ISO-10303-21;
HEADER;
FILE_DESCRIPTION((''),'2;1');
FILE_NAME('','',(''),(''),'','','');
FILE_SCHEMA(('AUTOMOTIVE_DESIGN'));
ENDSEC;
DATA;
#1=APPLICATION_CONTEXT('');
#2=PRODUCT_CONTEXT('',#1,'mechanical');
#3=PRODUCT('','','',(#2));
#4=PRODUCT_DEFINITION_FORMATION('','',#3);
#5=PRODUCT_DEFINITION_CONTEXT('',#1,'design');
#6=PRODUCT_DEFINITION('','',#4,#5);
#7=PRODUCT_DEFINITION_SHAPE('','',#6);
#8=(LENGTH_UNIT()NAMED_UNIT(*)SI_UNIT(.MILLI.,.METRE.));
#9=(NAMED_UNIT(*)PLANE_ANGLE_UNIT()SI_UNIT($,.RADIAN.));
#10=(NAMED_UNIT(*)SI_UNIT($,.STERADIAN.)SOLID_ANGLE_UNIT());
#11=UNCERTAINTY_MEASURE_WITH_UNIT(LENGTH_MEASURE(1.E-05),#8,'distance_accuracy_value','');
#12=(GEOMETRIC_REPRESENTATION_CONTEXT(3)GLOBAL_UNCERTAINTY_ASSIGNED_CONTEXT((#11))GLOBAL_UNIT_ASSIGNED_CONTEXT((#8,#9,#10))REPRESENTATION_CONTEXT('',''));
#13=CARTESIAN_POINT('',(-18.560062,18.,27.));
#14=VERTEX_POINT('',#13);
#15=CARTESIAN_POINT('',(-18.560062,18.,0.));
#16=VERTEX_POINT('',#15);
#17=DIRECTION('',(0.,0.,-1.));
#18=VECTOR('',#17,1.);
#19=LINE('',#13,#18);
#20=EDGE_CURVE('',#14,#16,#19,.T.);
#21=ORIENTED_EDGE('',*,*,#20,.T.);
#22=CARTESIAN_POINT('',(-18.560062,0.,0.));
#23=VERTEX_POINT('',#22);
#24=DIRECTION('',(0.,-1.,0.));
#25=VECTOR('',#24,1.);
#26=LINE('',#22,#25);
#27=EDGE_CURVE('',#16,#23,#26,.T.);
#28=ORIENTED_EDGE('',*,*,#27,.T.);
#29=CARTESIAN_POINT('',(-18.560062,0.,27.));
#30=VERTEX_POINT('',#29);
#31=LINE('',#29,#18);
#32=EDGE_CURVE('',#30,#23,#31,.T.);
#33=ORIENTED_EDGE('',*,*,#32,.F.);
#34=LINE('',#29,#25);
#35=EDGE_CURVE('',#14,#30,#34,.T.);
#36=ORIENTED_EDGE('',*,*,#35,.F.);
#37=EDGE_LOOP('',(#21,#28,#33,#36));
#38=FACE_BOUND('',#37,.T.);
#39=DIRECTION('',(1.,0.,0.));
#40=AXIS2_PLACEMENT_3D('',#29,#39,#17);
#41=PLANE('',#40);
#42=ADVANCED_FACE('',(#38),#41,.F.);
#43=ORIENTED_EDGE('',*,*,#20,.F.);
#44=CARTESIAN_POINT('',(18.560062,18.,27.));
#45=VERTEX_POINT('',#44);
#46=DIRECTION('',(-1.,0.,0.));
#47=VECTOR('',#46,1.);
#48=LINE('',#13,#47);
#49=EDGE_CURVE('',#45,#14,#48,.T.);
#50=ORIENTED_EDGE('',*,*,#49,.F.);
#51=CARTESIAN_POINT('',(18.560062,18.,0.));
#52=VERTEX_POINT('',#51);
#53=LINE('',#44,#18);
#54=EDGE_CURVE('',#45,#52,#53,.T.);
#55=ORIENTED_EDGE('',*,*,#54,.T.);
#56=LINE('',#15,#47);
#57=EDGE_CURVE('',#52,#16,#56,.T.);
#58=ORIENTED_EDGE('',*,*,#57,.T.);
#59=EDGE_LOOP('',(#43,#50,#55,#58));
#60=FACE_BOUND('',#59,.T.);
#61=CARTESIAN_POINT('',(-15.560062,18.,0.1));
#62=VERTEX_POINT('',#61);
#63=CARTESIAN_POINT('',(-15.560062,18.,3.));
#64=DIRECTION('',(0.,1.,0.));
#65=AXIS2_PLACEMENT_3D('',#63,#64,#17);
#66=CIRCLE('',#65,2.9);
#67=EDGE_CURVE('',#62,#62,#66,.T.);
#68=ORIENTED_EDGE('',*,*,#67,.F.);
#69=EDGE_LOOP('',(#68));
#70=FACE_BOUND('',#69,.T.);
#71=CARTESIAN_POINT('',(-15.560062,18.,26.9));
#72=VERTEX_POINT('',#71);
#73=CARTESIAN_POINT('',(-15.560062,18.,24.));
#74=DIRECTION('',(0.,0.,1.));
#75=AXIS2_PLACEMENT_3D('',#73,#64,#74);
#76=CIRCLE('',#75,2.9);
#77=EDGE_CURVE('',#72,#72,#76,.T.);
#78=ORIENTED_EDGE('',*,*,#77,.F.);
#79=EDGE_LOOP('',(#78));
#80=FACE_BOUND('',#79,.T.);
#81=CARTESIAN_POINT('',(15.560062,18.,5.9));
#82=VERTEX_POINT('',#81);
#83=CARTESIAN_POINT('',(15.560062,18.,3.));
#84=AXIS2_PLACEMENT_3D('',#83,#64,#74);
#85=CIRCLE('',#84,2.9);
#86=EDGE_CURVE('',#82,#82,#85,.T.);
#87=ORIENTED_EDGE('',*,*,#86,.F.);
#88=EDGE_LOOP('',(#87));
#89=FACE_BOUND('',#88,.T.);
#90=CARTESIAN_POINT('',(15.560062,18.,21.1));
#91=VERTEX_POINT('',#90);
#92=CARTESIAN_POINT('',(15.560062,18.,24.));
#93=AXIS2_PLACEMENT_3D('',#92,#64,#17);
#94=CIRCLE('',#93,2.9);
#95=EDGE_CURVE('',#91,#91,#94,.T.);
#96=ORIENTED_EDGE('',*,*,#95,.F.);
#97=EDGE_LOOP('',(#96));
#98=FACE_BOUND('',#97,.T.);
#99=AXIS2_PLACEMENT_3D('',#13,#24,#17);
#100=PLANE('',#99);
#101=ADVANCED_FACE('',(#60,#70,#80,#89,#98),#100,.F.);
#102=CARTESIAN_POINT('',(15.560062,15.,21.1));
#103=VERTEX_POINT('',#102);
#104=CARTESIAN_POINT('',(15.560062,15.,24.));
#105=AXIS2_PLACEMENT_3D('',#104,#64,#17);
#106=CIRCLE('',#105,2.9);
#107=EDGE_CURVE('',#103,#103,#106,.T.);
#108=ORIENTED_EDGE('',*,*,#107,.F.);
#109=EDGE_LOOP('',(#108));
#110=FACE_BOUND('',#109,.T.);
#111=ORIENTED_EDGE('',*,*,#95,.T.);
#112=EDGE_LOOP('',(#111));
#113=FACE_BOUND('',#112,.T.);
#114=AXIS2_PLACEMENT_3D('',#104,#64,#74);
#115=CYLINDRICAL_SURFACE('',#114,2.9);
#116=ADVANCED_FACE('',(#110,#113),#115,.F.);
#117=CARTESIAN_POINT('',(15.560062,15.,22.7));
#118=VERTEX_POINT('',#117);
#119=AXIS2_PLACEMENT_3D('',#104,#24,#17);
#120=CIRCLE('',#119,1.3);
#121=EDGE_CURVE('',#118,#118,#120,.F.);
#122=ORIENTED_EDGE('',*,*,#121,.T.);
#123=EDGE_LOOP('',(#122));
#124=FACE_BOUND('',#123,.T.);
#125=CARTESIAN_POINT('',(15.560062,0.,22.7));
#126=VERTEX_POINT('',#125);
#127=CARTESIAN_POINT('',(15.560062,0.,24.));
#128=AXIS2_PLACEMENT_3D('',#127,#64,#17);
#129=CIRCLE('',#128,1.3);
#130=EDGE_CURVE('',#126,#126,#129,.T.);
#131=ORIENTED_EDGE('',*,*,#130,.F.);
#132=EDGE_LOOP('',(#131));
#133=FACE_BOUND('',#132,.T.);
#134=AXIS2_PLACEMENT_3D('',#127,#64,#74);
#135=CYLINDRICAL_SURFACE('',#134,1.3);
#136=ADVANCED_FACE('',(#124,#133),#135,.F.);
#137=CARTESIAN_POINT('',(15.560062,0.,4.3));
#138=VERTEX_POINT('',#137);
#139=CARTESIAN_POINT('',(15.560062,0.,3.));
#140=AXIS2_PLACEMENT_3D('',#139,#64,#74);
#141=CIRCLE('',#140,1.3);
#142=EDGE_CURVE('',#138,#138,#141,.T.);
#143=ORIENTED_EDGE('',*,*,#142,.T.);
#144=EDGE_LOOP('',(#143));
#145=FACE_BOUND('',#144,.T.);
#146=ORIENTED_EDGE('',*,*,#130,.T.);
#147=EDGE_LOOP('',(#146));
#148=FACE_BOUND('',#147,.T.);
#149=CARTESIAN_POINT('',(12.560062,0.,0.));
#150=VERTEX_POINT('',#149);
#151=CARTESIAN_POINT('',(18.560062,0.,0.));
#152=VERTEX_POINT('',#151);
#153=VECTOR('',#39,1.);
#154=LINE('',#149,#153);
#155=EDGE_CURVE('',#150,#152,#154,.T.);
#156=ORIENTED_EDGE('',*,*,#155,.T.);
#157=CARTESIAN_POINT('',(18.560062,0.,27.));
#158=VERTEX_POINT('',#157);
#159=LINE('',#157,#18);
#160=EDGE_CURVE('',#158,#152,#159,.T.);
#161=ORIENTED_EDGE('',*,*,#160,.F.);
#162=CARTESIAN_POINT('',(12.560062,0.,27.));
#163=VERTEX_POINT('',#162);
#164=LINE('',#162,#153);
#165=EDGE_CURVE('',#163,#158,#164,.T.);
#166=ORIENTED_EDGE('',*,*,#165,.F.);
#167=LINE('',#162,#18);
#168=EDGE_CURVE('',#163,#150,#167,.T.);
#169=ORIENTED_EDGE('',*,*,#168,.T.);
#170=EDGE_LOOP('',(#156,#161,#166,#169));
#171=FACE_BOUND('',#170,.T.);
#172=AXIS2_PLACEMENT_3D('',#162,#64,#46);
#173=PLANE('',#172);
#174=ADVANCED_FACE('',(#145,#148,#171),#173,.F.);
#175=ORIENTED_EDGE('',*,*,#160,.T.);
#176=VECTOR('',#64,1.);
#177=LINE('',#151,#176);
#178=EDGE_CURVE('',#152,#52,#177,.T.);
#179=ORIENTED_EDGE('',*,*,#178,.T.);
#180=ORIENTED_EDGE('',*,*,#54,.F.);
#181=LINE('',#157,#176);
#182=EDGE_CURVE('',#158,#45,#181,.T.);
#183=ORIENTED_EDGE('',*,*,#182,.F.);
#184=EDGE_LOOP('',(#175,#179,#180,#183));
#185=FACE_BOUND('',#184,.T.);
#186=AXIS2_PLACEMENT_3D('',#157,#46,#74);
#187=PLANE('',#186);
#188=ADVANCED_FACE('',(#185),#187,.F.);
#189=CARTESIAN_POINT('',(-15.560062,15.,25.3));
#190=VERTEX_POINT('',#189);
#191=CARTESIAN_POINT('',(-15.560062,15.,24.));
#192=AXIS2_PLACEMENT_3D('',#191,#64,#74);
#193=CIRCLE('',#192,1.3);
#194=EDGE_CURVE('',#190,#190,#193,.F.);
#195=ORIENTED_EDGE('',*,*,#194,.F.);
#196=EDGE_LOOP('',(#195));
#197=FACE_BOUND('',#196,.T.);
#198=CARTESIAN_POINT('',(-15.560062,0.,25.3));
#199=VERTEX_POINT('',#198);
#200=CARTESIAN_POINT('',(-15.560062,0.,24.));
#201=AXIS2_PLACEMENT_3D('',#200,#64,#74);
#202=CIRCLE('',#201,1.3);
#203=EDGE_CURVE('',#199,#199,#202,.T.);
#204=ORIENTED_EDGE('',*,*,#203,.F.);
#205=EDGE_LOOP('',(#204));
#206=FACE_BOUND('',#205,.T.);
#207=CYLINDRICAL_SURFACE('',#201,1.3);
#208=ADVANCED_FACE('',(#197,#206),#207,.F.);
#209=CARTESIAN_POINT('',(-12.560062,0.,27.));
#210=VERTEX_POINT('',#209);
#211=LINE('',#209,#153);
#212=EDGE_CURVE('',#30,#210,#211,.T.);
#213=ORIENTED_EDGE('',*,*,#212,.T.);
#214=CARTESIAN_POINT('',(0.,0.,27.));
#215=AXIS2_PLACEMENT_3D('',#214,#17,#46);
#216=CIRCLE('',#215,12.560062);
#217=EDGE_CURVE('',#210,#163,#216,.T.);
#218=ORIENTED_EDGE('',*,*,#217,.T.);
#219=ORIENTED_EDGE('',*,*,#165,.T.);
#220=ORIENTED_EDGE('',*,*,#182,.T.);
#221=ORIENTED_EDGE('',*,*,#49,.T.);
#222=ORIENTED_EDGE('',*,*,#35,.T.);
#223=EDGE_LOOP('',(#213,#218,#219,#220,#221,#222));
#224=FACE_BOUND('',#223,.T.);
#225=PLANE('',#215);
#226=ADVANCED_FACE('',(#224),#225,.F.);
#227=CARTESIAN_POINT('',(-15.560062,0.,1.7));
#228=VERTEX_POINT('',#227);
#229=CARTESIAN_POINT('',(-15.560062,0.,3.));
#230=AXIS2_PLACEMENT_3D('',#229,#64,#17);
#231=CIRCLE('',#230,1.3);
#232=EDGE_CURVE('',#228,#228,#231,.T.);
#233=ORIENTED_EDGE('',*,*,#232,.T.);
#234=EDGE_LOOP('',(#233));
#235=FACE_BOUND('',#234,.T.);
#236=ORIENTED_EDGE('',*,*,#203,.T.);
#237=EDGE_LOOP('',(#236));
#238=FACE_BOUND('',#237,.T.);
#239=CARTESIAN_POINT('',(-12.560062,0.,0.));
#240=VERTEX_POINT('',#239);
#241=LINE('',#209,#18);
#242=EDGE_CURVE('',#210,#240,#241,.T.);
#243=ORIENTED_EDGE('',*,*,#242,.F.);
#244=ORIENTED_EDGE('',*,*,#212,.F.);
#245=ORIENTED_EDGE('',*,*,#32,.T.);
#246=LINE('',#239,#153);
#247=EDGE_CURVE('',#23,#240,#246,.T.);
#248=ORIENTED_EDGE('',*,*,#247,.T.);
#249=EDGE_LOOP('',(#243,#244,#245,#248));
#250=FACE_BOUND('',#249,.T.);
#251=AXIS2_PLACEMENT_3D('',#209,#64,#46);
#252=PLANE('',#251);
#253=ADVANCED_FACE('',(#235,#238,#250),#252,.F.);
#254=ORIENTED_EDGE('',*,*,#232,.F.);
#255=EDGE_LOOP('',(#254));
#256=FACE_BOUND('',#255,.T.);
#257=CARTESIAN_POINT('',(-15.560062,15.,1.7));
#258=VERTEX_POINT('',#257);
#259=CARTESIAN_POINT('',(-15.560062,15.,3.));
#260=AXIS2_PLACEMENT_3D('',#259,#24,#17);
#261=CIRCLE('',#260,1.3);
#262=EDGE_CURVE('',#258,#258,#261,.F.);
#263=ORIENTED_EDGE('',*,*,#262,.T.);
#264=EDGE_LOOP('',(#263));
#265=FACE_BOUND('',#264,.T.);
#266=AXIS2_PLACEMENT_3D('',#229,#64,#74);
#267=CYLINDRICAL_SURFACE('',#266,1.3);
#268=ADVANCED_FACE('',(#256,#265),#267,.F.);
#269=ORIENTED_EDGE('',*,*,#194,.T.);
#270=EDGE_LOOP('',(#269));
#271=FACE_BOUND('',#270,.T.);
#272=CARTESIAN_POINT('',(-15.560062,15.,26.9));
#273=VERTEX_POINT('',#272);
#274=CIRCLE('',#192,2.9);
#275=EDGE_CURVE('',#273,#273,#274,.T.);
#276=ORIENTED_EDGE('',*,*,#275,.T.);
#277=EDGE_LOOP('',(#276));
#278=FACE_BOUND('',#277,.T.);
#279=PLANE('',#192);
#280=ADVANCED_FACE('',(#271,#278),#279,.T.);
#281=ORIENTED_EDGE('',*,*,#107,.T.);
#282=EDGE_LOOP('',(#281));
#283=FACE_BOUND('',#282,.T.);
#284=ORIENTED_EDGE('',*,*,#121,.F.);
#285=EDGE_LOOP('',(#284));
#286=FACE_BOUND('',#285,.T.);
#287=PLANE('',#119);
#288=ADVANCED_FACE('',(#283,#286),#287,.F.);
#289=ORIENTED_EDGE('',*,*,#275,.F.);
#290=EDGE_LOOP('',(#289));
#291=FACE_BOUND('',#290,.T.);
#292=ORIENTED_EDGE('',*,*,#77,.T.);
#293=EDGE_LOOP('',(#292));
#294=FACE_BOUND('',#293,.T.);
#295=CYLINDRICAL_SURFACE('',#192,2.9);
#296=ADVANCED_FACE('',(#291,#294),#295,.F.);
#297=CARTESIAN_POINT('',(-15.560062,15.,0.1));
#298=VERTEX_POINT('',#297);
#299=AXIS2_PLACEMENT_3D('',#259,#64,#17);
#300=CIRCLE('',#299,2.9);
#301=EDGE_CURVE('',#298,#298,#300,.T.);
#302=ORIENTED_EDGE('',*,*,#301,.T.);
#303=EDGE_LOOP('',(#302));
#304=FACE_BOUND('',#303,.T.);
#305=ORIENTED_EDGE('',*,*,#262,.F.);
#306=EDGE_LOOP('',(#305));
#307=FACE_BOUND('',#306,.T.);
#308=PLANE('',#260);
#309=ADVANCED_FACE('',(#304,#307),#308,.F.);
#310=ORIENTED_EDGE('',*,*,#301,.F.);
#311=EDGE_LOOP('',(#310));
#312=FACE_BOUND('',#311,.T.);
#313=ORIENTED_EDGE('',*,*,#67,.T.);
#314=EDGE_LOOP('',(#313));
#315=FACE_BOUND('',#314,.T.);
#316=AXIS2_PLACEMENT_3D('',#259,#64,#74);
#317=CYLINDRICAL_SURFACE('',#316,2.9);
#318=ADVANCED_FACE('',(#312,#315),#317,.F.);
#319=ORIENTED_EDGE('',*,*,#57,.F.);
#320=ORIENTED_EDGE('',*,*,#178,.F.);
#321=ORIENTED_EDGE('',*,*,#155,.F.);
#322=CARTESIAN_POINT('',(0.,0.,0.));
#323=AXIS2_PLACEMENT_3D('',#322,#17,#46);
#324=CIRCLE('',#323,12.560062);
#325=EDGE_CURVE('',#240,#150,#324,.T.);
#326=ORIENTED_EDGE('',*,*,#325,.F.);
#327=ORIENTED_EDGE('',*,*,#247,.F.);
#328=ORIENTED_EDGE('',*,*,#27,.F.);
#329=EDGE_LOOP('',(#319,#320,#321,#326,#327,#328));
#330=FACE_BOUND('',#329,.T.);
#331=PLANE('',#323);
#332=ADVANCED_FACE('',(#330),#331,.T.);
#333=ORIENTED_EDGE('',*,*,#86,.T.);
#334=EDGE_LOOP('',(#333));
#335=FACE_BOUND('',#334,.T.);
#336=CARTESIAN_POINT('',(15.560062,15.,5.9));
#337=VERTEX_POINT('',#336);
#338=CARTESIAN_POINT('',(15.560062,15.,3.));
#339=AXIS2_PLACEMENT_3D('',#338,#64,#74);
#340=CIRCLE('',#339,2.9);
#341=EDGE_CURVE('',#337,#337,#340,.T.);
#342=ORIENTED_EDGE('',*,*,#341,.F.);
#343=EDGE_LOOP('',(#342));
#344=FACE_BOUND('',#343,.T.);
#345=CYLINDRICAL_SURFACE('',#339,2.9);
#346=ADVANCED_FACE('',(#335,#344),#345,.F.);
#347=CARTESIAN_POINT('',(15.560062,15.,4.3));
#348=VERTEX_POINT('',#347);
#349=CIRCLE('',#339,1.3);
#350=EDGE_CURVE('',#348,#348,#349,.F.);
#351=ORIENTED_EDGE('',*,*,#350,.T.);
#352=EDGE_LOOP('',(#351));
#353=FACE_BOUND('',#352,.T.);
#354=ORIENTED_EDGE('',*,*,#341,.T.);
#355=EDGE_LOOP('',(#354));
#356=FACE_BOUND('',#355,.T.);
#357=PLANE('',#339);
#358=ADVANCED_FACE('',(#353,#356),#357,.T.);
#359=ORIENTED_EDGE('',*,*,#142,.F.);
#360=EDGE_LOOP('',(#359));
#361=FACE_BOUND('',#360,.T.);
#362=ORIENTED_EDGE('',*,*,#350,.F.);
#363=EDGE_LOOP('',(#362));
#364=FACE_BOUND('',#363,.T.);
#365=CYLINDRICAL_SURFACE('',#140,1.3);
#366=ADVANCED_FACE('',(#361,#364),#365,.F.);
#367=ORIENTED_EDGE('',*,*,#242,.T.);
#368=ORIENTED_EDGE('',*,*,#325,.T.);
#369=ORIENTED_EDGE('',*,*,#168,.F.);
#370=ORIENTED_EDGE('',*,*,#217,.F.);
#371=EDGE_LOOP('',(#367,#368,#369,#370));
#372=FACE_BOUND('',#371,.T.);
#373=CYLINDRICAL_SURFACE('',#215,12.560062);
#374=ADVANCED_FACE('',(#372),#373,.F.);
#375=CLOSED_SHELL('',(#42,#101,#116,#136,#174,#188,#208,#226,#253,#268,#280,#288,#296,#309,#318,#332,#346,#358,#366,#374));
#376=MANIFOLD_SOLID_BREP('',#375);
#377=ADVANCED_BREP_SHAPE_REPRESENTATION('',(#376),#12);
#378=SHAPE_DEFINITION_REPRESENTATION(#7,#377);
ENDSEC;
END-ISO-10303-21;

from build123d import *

# Parameters (mm, degrees)
BOSS_EXTRU_1_DEPTH      = 27
ESQUISSE5_R             = 1.3
ENL_V_MAT_EXTRU_1_DEPTH = 18
ESQUISSE6_R             = 2.9
ENL_V_MAT_EXTRU_2_DEPTH = 3


with BuildPart() as part:
    # Esquisse1 → Boss.-Extru.1 (new body)
    with BuildSketch(Plane.XY):
        with BuildLine():
            Line((-12.560062385, 0), (-18.560062385, 0))
            Line((-18.560062385, 0), (-18.560062385, 18))
            Line((-18.560062385, 18), (18.560062385, 18))
            Line((18.560062385, 18), (18.560062385, 0))
            Line((18.560062385, 0), (12.560062385, 0))
            ThreePointArc((12.560062385, 0), (0, 12.560062385), (-12.560062385, 0))
        make_face()
    extrude(amount=BOSS_EXTRU_1_DEPTH)

    # Esquisse5 → Enlèv. mat.-Extru.1 (cut)
    with BuildSketch(Plane(origin=(0, 18, 0), x_dir=(1, 0, 0), z_dir=(0, 1, 0))):
        with Locations((15.560062385, -3)):
            Circle(ESQUISSE5_R)
        with Locations((15.560062385, -24)):
            Circle(ESQUISSE5_R)
        with Locations((-15.560062385, -3)):
            Circle(ESQUISSE5_R)
        with Locations((-15.560062385, -24)):
            Circle(ESQUISSE5_R)
    extrude(amount=-ENL_V_MAT_EXTRU_1_DEPTH, mode=Mode.SUBTRACT)

    # Esquisse6 → Enlèv. mat.-Extru.2 (cut)
    with BuildSketch(Plane(origin=(0, 18, 0), x_dir=(1, 0, 0), z_dir=(0, 1, 0))):
        with Locations((15.560062385, -3)):
            Circle(ESQUISSE6_R)
        with Locations((15.560062385, -24)):
            Circle(ESQUISSE6_R)
        with Locations((-15.560062385, -3)):
            Circle(ESQUISSE6_R)
        with Locations((-15.560062385, -24)):
            Circle(ESQUISSE6_R)
    extrude(amount=-ENL_V_MAT_EXTRU_2_DEPTH, mode=Mode.SUBTRACT)


solid = part.part
